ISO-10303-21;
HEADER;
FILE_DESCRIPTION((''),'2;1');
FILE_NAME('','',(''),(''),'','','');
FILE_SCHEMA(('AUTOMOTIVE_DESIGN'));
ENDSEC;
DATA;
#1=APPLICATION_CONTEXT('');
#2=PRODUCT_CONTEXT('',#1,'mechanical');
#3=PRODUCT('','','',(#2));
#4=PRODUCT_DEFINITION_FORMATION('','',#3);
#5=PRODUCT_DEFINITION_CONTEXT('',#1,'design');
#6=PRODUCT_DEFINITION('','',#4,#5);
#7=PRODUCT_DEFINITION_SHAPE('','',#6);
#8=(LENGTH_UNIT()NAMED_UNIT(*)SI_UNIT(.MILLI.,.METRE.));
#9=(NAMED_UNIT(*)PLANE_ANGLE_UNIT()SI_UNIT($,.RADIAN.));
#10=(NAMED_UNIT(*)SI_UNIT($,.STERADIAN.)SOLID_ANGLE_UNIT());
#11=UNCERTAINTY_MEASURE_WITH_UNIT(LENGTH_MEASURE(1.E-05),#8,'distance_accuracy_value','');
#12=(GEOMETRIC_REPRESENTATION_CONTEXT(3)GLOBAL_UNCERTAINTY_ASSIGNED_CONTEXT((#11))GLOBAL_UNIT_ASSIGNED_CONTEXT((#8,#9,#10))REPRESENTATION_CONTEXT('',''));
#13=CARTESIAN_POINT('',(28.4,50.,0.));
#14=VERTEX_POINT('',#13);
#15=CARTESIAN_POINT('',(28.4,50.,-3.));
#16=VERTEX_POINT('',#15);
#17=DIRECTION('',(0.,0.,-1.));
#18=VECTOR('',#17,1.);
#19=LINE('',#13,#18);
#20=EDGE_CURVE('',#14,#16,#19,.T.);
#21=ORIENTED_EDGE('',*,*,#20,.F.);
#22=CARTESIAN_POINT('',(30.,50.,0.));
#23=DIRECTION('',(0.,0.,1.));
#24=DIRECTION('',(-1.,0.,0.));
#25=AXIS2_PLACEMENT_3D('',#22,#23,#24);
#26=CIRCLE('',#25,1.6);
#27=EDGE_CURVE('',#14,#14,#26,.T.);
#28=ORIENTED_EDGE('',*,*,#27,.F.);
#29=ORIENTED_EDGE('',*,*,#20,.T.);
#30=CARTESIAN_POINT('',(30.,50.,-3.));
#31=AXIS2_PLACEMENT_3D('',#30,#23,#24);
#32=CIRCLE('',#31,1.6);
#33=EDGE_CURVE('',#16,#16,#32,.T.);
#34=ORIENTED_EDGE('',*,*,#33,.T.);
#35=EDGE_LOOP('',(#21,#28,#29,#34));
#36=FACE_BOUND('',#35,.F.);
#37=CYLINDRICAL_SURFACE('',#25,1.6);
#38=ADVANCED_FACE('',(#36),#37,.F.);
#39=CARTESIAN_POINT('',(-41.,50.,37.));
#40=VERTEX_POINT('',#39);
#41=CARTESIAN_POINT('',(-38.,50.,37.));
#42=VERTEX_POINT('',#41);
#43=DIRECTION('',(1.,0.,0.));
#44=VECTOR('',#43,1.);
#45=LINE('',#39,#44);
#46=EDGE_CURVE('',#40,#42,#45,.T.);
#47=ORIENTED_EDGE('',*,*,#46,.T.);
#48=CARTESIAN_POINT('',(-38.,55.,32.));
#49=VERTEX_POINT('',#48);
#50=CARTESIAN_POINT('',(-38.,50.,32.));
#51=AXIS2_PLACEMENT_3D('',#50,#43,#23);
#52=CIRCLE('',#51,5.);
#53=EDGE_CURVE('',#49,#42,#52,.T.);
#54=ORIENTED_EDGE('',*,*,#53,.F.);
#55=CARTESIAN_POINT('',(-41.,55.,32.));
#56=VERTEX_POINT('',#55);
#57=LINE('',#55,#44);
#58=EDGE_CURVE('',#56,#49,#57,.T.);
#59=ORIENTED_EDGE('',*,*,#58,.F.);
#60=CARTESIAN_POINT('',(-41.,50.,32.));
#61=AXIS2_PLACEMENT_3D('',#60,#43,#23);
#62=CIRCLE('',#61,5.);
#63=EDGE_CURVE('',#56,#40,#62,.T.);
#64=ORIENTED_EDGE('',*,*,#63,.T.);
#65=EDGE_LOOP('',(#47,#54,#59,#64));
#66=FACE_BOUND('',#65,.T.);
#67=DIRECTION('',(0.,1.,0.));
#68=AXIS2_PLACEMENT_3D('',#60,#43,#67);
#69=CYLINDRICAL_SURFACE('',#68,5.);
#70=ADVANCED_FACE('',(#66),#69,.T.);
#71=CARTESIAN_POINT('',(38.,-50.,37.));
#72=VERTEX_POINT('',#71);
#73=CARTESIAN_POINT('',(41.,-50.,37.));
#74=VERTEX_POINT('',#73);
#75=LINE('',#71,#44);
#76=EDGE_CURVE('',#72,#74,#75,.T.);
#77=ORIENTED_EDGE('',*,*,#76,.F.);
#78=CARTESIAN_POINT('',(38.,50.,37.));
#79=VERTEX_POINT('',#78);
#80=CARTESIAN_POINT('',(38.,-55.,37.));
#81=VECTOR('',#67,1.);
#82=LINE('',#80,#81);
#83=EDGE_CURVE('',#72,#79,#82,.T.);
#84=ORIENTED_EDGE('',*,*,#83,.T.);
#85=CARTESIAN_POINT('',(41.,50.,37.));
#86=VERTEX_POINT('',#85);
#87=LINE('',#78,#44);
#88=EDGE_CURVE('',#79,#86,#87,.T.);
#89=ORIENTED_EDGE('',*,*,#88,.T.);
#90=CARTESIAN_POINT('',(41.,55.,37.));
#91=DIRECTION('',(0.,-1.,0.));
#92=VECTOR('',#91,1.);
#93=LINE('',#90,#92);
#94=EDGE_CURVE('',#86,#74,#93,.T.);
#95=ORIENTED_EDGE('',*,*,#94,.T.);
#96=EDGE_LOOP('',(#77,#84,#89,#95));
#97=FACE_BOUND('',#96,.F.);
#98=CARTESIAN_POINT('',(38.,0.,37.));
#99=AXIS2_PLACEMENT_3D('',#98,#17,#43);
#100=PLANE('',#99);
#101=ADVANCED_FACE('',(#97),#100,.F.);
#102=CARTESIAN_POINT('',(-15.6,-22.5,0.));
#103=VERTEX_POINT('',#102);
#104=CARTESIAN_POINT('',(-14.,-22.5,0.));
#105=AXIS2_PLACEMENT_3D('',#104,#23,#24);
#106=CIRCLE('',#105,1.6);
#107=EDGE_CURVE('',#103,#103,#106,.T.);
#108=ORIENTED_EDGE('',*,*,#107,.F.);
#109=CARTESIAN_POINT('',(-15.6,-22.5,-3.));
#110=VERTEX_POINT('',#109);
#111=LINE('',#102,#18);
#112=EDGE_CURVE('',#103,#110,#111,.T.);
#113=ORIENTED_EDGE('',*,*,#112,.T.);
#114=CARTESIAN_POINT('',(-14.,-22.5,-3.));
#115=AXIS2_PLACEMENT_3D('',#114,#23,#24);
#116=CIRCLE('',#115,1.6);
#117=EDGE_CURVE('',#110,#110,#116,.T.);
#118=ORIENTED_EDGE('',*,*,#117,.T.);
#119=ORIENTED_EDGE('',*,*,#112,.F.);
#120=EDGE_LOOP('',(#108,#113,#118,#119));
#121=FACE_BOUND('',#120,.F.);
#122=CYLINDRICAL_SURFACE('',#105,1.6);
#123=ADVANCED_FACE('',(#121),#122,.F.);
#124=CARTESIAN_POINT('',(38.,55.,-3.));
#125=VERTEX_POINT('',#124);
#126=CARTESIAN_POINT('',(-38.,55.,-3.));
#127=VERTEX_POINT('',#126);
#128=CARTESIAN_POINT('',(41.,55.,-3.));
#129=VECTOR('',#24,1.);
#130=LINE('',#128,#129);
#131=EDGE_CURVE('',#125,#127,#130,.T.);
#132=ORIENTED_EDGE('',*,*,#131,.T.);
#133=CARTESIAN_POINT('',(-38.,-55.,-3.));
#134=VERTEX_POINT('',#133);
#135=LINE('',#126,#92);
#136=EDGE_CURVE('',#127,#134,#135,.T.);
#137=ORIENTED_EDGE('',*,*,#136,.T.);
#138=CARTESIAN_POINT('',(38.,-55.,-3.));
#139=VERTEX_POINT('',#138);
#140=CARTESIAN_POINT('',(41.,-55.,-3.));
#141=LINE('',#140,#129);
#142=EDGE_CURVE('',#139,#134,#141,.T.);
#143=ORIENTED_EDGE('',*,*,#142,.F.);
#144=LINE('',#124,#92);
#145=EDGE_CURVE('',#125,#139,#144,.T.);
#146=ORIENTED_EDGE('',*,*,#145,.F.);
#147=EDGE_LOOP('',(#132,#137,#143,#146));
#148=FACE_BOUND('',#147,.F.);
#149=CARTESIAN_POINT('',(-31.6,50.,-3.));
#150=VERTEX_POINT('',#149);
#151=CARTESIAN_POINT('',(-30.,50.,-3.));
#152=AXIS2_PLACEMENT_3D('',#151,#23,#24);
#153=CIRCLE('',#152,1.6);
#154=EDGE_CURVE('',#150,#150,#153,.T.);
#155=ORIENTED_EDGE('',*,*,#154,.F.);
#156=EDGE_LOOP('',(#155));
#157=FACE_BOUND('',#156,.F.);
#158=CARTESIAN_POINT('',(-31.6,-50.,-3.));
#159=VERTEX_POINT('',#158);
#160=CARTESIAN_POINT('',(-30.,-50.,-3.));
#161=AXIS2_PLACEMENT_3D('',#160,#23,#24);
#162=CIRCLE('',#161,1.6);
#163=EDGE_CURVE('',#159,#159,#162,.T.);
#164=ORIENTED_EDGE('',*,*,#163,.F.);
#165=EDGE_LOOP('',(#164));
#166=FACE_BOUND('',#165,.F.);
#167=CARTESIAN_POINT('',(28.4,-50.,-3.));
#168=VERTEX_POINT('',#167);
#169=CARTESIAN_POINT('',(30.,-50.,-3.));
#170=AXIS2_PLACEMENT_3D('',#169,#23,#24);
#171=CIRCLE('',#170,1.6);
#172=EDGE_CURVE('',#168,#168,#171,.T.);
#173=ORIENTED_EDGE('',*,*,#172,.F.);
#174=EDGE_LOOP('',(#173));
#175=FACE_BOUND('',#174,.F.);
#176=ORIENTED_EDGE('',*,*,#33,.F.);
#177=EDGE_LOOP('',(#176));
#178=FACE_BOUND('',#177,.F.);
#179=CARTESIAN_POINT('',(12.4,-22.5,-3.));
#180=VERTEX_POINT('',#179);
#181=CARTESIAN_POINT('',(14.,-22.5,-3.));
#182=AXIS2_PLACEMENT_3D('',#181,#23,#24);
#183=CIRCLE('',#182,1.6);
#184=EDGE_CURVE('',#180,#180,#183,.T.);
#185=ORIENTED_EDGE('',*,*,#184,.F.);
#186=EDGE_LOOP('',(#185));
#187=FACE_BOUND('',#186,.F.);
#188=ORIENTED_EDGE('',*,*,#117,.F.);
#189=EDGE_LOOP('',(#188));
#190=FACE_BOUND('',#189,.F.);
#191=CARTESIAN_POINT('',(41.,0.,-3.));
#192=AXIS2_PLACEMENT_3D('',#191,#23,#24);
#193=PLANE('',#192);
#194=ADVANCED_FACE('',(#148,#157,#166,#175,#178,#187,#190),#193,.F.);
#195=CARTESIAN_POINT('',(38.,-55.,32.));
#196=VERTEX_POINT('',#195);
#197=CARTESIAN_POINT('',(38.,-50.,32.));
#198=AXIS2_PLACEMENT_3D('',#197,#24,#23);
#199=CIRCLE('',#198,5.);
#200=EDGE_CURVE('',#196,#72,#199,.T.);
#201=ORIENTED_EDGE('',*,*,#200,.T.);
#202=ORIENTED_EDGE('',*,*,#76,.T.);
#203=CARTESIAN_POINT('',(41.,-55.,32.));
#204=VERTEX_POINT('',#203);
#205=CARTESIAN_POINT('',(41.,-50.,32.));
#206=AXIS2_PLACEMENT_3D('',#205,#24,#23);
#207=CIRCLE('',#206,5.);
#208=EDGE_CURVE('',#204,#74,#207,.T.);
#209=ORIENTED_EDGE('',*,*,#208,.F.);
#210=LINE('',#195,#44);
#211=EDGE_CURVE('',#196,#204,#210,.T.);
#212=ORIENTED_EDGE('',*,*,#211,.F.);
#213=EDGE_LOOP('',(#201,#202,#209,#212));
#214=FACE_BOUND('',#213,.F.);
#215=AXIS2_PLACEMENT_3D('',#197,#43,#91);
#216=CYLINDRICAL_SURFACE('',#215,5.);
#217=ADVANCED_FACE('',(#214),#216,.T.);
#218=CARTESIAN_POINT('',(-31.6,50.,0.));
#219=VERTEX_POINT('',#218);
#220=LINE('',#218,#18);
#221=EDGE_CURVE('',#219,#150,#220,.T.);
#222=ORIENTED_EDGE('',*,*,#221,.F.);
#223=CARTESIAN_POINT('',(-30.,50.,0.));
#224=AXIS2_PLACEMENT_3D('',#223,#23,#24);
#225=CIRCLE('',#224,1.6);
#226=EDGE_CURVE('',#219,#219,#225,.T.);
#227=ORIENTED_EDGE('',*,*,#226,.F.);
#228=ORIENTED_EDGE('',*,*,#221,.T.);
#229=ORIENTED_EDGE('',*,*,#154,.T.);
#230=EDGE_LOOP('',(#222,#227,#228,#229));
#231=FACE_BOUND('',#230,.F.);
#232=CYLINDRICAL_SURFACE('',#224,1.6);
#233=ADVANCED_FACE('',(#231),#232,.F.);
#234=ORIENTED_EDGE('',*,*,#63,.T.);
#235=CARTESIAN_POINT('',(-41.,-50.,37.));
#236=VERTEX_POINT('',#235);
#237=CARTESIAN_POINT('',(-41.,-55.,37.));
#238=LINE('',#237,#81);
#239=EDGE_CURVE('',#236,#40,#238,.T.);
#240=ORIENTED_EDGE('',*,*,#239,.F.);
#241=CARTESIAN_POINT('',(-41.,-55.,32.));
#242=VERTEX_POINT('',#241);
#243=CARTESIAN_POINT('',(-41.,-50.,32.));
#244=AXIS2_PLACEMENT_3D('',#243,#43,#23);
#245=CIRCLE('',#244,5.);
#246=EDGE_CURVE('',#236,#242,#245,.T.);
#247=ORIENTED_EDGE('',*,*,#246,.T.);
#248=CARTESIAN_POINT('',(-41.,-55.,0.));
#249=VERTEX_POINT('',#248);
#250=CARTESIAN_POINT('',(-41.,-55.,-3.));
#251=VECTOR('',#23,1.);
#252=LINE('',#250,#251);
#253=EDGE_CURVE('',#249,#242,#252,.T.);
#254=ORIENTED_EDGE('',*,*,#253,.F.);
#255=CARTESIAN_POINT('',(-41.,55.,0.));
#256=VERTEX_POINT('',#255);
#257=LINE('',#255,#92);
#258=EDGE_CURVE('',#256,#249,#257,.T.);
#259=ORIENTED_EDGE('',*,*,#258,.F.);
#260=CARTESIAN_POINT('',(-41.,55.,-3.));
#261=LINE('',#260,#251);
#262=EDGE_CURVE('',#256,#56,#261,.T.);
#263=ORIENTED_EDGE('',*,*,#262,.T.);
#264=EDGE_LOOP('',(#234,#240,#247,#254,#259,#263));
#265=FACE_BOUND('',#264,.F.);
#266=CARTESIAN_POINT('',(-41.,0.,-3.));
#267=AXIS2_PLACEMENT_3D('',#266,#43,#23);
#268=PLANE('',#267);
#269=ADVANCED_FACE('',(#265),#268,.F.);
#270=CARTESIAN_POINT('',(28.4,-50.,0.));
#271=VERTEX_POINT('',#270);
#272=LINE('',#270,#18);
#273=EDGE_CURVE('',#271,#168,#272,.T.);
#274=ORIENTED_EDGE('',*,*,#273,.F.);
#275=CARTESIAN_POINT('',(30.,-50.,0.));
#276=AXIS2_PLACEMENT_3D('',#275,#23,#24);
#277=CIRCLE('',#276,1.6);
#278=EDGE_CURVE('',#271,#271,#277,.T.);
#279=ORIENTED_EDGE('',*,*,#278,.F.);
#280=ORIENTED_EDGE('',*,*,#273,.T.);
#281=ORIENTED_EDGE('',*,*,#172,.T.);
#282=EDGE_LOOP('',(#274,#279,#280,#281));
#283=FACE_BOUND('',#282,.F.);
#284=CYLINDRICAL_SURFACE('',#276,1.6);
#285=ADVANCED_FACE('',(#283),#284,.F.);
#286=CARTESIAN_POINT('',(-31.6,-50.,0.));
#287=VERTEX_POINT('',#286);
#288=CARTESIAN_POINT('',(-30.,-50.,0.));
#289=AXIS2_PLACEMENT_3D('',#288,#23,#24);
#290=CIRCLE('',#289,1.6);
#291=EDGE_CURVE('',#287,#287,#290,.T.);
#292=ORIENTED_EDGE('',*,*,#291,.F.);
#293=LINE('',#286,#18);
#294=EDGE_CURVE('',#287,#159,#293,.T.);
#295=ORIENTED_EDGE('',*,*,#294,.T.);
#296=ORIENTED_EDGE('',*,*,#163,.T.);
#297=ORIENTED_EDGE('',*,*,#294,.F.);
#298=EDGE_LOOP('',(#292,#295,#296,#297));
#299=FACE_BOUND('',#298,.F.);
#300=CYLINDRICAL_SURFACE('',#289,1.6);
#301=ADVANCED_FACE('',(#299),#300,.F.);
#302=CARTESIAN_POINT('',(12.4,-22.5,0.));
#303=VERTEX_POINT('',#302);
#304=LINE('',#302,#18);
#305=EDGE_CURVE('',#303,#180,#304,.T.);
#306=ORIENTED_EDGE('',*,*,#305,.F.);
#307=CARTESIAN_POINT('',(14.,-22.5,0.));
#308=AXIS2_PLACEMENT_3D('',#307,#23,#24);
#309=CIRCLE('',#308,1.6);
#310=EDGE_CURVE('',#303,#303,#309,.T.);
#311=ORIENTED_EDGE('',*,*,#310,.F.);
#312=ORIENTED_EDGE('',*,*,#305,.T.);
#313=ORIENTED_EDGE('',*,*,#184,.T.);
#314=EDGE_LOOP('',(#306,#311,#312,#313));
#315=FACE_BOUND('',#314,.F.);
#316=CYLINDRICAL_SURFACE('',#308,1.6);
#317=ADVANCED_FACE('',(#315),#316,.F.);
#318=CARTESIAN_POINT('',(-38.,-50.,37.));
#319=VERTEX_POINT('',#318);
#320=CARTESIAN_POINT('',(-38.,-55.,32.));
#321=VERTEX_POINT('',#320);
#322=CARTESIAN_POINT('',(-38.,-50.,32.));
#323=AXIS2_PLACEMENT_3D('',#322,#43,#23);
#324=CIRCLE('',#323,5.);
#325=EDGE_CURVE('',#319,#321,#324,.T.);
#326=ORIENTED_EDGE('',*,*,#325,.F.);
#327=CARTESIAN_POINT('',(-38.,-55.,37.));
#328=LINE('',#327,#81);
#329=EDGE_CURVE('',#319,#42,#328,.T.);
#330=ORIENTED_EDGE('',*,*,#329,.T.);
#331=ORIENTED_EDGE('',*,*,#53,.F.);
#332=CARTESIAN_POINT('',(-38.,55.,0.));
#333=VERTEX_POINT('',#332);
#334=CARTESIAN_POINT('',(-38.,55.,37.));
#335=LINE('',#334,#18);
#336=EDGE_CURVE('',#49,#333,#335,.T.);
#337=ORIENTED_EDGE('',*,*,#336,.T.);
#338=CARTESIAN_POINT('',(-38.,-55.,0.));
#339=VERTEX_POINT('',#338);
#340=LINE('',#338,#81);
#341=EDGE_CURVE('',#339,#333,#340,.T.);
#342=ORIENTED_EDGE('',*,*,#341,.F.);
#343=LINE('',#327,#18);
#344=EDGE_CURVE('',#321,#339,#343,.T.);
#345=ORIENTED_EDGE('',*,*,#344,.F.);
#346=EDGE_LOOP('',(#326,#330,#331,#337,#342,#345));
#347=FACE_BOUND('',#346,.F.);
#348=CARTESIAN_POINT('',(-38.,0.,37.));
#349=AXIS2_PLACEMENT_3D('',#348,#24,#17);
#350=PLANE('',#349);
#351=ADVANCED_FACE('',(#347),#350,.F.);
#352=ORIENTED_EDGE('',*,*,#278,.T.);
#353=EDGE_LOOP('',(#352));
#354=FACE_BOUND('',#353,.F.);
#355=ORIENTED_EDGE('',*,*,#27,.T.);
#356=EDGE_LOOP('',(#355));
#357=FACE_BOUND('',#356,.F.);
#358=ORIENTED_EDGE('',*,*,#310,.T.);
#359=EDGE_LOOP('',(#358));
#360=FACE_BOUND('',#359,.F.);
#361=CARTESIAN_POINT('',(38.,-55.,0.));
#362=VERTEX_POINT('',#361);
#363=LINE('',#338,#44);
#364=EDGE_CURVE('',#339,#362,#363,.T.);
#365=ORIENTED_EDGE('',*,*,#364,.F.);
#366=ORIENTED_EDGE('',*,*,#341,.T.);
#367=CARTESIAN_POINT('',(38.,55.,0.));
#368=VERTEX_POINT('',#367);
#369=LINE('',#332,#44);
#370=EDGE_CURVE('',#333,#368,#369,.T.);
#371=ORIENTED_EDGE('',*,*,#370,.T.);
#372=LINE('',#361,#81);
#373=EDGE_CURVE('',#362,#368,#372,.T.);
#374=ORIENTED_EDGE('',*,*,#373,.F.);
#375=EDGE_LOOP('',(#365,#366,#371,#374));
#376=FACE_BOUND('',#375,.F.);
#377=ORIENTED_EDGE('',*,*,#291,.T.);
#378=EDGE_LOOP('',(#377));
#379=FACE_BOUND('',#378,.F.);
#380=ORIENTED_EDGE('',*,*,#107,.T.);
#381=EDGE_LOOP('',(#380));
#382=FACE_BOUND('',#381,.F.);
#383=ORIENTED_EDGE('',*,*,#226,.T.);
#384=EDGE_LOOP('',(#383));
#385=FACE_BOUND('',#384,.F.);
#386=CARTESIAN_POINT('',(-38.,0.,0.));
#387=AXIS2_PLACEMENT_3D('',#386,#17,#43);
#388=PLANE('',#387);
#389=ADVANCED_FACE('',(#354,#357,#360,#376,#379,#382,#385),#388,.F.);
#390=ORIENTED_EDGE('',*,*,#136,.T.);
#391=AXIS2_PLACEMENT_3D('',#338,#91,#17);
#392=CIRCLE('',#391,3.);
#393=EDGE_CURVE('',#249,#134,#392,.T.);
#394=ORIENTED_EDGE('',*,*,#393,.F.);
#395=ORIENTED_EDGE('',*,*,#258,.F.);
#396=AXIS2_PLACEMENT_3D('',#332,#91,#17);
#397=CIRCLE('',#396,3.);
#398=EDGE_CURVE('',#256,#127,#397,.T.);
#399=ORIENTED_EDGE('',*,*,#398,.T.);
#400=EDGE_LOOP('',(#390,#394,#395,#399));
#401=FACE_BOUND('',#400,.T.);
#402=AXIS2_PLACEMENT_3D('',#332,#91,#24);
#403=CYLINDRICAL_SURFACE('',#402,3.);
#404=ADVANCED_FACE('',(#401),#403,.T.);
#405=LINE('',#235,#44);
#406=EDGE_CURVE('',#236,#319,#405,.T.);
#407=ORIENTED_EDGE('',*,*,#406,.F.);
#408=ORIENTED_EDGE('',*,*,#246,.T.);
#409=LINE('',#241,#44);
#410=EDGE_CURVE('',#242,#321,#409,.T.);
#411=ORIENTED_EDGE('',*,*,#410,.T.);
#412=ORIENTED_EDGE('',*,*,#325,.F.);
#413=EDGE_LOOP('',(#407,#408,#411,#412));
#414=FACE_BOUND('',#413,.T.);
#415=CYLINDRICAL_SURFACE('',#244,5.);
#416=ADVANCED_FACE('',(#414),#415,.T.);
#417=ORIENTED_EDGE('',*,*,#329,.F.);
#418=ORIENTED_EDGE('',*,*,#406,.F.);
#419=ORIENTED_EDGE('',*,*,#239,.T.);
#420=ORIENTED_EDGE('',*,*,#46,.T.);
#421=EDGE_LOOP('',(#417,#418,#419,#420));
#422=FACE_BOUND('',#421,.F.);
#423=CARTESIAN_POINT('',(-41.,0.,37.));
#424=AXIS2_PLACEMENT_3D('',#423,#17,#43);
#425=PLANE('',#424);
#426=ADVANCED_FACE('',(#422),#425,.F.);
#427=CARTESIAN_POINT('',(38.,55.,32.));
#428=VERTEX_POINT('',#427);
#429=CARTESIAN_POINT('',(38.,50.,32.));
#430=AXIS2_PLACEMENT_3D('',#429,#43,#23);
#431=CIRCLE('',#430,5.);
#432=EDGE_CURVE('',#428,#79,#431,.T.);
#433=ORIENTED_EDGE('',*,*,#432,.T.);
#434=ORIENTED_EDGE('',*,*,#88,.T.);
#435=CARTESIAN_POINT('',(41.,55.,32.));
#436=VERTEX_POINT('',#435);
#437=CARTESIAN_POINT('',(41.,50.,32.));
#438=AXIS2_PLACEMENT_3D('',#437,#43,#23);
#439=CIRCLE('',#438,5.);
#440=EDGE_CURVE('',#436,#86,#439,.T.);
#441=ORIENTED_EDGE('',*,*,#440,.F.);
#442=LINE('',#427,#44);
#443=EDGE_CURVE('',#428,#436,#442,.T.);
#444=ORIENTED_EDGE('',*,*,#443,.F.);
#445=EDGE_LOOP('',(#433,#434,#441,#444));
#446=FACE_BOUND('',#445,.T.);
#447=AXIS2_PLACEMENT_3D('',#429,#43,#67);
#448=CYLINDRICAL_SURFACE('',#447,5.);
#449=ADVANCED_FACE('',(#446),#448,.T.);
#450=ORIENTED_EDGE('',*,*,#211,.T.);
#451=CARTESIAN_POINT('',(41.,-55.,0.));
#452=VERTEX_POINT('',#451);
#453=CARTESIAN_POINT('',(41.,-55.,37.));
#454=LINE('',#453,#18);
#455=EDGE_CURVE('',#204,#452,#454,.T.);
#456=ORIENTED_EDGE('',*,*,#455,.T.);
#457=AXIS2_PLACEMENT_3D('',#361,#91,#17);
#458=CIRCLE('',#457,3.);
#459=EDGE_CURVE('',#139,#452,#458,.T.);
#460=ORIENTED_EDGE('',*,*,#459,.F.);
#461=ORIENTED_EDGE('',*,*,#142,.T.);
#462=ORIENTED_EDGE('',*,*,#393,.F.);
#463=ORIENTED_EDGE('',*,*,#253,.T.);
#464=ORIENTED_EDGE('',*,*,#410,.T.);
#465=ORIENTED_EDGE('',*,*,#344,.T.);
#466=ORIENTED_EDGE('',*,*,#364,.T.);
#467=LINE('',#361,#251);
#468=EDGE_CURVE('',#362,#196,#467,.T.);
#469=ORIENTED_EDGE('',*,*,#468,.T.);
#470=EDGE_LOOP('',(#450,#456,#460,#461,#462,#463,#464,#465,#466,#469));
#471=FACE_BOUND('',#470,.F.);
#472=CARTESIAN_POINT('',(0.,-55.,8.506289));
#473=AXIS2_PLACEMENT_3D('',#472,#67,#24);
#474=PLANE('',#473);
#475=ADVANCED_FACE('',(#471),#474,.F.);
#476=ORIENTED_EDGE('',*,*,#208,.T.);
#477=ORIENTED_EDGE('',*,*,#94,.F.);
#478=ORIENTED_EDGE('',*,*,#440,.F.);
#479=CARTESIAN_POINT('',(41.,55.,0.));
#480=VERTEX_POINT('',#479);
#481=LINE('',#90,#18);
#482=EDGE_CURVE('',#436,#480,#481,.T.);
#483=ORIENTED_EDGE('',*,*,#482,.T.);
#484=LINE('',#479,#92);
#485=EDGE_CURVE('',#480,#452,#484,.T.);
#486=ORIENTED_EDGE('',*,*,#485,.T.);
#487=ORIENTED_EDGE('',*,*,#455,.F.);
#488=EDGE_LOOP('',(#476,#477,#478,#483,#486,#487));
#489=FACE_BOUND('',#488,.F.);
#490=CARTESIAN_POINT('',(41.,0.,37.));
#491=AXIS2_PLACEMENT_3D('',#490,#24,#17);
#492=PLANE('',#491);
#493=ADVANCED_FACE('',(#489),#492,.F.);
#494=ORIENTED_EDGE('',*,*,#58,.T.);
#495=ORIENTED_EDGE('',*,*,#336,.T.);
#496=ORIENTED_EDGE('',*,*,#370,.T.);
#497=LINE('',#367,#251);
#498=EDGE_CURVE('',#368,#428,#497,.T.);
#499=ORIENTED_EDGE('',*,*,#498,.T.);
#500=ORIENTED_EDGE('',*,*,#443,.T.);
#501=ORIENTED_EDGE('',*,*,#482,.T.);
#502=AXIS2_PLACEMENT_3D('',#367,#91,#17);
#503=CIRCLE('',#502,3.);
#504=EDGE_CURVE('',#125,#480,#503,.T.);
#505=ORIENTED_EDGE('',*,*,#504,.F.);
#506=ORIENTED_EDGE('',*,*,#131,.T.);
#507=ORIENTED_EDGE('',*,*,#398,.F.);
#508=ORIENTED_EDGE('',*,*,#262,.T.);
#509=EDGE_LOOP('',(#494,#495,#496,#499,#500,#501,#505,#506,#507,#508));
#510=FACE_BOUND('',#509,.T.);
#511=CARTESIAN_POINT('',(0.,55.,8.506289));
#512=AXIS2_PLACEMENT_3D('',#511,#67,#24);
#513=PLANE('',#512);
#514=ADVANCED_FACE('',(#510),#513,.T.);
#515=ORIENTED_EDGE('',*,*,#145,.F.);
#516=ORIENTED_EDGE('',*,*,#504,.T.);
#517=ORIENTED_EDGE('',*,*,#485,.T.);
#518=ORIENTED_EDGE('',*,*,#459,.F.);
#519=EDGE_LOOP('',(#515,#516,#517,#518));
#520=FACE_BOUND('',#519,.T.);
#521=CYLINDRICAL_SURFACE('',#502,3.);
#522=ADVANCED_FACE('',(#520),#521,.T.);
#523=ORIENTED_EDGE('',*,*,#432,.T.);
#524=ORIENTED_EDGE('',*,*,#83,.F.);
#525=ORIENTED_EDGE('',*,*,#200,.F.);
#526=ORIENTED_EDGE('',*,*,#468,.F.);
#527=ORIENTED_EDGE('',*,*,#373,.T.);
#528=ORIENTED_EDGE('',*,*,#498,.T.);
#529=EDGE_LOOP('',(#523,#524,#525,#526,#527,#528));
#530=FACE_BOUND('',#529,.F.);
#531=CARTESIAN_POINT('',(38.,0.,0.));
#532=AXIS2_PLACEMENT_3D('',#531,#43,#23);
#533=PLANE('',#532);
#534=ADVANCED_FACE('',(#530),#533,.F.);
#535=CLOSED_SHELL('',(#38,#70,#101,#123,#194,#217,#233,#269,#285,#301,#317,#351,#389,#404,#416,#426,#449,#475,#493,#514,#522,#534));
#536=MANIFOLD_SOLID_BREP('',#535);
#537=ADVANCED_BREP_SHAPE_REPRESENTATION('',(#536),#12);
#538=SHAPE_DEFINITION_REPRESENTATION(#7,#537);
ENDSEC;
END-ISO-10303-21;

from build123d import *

# Parameters (mm, degrees)
PAD_DEPTH    = 55
SKETCH001_R  = 1.6
POCKET_DEPTH = 3.001
FILLET_R     = 3
FILLET001_R  = 5


with BuildPart() as part:
    # Sketch → Pad (new body, symmetric)
    with BuildSketch(Plane.XZ):
        Polygon((-41, -3), (-41, 37), (-38, 37), (-38, 0), (38, 0), (38, 37), (41, 37), (41, -3), align=None)
    extrude(amount=PAD_DEPTH, both=True)

    # Sketch001 (on Face4 of Pad) → Pocket (cut, through all)
    with BuildSketch(Plane(origin=(0, 0, 0), x_dir=(-1, 0, 0), z_dir=(0, 0, 1))):
        with Locations((-30, 50)):
            Circle(SKETCH001_R)
        with Locations((30, 50)):
            Circle(SKETCH001_R)
        with Locations((-30, -50)):
            Circle(SKETCH001_R)
        with Locations((30, -50)):
            Circle(SKETCH001_R)
        with Locations((-14, 22.5)):
            Circle(SKETCH001_R)
        with Locations((14, 22.5)):
            Circle(SKETCH001_R)
    extrude(amount=-POCKET_DEPTH, mode=Mode.SUBTRACT)

    # Fillet
    fillet_edges = [part.edges().sort_by_distance(p)[0] for p in [
        (-41, 0, -3),
        (41, 0, -3),
    ]]
    fillet(fillet_edges, radius=FILLET_R)

    # Fillet001
    fillet001_edges = [part.edges().sort_by_distance(p)[0] for p in [
        (39.5, -55, 37),
        (-39.5, -55, 37),
        (-39.5, 55, 37),
        (39.5, 55, 37),
    ]]
    fillet(fillet001_edges, radius=FILLET001_R)


solid = part.part
